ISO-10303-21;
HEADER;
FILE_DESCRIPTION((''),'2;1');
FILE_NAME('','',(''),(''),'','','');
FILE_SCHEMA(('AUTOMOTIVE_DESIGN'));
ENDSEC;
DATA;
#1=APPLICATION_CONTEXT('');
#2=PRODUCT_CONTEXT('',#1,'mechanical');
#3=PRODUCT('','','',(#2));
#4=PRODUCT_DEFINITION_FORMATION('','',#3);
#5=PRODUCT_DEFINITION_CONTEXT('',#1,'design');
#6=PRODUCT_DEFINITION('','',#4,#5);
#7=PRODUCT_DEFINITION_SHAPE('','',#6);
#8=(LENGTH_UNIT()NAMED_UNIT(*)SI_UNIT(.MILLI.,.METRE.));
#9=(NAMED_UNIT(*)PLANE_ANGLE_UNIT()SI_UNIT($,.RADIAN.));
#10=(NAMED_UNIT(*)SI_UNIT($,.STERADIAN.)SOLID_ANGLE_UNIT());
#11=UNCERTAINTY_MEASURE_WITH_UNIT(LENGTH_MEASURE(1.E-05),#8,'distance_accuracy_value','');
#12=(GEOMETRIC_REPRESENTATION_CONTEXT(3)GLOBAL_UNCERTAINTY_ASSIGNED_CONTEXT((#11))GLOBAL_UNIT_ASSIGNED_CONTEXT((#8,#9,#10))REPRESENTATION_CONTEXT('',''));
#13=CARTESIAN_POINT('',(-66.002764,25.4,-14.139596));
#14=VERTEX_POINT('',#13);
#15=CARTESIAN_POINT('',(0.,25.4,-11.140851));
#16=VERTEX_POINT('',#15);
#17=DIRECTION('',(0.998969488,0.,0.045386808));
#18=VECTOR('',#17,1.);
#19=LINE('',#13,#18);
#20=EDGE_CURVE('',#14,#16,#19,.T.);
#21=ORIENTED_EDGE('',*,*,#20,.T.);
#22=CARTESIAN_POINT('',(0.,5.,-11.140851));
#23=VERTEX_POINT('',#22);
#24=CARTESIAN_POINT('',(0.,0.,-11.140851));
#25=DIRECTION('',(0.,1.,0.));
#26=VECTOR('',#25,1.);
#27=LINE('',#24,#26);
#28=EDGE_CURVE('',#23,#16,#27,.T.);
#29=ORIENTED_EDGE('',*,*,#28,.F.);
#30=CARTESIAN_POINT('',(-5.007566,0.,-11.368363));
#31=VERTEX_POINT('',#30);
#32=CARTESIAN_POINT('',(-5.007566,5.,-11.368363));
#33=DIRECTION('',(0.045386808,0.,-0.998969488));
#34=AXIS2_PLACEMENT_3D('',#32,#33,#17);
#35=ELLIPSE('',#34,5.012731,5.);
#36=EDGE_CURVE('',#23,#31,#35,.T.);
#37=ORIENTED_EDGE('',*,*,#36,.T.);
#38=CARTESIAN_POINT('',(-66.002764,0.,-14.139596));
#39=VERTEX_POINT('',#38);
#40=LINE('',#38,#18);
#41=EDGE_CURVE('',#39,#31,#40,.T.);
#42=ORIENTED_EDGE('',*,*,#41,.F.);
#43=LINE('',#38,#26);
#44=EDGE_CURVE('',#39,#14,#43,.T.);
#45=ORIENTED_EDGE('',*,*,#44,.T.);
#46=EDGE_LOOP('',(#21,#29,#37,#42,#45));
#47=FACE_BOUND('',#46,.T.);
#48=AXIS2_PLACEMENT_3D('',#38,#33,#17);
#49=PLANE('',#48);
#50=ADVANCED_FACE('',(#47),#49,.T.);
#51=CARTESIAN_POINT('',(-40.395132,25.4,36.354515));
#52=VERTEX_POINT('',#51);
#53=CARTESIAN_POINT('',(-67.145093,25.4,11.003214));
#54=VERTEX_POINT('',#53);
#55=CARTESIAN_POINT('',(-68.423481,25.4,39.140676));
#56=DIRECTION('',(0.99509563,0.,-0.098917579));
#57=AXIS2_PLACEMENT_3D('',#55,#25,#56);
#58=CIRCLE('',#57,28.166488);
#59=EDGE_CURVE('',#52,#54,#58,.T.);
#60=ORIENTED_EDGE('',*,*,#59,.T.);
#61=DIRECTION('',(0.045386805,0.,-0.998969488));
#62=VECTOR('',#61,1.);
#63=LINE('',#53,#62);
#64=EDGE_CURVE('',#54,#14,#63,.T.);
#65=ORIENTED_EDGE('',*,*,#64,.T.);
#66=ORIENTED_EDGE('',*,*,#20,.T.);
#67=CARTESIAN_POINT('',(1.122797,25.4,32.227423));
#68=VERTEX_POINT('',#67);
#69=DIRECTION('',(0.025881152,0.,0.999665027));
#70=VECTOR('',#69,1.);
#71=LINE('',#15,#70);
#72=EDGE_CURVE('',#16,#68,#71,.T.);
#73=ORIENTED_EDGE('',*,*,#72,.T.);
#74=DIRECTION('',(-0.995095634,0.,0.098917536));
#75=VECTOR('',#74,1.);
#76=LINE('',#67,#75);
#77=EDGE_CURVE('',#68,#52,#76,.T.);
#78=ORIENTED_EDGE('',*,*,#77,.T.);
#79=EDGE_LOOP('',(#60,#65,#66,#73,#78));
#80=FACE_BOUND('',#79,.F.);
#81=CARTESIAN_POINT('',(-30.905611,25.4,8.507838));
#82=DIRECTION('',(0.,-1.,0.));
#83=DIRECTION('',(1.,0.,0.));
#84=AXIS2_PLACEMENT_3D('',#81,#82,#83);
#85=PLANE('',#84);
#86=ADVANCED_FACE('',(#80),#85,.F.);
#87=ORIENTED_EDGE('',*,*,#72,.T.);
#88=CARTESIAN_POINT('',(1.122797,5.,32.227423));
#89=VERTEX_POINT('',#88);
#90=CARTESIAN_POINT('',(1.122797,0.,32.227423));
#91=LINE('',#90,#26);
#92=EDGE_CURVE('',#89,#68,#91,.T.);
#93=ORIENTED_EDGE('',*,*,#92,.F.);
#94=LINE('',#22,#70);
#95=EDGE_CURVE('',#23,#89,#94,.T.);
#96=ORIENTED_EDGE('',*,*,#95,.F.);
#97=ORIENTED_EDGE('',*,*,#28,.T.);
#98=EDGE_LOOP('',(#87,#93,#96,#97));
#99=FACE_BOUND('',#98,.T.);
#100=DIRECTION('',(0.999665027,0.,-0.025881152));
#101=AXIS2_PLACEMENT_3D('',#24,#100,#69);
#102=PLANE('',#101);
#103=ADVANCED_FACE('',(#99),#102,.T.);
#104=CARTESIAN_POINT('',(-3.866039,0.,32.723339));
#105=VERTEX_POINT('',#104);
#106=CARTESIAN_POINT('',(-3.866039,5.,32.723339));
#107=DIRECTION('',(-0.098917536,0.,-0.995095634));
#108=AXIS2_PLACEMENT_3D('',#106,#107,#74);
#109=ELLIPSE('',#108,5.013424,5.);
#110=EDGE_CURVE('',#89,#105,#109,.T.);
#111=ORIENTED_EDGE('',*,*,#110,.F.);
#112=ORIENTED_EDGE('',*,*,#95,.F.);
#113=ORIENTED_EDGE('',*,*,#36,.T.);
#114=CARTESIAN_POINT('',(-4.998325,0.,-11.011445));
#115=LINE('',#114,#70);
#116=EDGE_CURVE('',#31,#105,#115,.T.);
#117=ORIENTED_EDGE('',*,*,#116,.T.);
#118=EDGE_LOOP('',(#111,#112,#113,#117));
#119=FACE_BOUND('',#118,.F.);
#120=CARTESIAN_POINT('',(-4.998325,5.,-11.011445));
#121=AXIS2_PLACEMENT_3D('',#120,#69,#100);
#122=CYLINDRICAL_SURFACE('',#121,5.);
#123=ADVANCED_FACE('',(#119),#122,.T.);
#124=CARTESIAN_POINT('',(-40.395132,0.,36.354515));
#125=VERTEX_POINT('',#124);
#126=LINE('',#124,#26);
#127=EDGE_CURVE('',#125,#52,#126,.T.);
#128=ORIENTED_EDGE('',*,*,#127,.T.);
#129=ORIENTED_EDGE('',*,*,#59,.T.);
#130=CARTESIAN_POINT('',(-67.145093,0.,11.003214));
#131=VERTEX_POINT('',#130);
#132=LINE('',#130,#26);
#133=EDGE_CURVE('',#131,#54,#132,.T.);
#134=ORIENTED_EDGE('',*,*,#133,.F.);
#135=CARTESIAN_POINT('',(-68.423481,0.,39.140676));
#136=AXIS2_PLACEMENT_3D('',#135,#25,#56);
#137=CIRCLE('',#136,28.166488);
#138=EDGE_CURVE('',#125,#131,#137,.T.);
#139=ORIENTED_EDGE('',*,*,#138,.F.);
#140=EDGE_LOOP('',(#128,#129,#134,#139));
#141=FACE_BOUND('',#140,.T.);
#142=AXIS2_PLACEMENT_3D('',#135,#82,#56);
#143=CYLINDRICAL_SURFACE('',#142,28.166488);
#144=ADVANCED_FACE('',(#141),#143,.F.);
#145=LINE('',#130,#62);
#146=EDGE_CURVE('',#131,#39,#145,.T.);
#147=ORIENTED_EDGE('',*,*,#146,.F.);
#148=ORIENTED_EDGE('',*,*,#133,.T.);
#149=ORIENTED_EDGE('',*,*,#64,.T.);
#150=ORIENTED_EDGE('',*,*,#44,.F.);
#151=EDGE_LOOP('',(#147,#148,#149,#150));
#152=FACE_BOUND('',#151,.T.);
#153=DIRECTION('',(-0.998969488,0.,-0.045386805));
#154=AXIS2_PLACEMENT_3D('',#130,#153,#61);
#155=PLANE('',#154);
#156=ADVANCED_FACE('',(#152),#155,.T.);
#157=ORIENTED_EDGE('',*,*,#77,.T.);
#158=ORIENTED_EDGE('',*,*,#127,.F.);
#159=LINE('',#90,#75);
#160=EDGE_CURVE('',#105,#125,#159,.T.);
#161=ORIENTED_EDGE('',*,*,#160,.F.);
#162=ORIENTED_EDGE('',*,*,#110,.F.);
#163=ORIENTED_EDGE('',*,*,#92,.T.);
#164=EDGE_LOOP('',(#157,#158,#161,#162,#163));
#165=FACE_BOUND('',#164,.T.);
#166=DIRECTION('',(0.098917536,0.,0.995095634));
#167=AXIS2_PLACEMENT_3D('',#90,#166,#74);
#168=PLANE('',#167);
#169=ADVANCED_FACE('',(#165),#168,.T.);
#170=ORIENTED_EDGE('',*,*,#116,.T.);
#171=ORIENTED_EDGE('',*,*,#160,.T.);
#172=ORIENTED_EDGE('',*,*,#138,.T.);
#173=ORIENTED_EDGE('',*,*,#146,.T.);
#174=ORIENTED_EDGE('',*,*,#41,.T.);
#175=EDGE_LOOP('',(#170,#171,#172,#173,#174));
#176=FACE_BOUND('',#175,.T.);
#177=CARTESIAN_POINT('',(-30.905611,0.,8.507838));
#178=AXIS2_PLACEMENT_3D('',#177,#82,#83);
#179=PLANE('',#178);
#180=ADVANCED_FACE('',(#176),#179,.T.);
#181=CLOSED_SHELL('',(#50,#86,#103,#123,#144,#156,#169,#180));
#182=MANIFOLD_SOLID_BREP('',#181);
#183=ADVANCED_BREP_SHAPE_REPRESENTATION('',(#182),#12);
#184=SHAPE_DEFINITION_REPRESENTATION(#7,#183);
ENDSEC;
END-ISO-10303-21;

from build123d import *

# Parameters (mm, degrees)
F1_DEPTH = 25.4
F2_R     = 5


with BuildPart() as f1:
    # F0 (on Front) → F1 (new body)
    with BuildSketch(Plane.XZ):
        with BuildLine():
            ThreePointArc((-40.395132, 36.354515), (-49.048411, 18.696662), (-67.145093, 11.003214))
            Line((-67.145093, 11.003214), (-66.002764, -14.139596))
            Line((-66.002764, -14.139596), (0, -11.140851))
            Line((0, -11.140851), (1.122797, 32.227423))
            Line((1.122797, 32.227423), (-40.395132, 36.354515))
        make_face()
    extrude(amount=-F1_DEPTH)

    # F2
    f2_edges = [f1.edges().sort_by_distance(p)[0] for p in [
        (0.561399, 0, 10.543286),
    ]]
    fillet(f2_edges, radius=F2_R)


solid = f1.part
